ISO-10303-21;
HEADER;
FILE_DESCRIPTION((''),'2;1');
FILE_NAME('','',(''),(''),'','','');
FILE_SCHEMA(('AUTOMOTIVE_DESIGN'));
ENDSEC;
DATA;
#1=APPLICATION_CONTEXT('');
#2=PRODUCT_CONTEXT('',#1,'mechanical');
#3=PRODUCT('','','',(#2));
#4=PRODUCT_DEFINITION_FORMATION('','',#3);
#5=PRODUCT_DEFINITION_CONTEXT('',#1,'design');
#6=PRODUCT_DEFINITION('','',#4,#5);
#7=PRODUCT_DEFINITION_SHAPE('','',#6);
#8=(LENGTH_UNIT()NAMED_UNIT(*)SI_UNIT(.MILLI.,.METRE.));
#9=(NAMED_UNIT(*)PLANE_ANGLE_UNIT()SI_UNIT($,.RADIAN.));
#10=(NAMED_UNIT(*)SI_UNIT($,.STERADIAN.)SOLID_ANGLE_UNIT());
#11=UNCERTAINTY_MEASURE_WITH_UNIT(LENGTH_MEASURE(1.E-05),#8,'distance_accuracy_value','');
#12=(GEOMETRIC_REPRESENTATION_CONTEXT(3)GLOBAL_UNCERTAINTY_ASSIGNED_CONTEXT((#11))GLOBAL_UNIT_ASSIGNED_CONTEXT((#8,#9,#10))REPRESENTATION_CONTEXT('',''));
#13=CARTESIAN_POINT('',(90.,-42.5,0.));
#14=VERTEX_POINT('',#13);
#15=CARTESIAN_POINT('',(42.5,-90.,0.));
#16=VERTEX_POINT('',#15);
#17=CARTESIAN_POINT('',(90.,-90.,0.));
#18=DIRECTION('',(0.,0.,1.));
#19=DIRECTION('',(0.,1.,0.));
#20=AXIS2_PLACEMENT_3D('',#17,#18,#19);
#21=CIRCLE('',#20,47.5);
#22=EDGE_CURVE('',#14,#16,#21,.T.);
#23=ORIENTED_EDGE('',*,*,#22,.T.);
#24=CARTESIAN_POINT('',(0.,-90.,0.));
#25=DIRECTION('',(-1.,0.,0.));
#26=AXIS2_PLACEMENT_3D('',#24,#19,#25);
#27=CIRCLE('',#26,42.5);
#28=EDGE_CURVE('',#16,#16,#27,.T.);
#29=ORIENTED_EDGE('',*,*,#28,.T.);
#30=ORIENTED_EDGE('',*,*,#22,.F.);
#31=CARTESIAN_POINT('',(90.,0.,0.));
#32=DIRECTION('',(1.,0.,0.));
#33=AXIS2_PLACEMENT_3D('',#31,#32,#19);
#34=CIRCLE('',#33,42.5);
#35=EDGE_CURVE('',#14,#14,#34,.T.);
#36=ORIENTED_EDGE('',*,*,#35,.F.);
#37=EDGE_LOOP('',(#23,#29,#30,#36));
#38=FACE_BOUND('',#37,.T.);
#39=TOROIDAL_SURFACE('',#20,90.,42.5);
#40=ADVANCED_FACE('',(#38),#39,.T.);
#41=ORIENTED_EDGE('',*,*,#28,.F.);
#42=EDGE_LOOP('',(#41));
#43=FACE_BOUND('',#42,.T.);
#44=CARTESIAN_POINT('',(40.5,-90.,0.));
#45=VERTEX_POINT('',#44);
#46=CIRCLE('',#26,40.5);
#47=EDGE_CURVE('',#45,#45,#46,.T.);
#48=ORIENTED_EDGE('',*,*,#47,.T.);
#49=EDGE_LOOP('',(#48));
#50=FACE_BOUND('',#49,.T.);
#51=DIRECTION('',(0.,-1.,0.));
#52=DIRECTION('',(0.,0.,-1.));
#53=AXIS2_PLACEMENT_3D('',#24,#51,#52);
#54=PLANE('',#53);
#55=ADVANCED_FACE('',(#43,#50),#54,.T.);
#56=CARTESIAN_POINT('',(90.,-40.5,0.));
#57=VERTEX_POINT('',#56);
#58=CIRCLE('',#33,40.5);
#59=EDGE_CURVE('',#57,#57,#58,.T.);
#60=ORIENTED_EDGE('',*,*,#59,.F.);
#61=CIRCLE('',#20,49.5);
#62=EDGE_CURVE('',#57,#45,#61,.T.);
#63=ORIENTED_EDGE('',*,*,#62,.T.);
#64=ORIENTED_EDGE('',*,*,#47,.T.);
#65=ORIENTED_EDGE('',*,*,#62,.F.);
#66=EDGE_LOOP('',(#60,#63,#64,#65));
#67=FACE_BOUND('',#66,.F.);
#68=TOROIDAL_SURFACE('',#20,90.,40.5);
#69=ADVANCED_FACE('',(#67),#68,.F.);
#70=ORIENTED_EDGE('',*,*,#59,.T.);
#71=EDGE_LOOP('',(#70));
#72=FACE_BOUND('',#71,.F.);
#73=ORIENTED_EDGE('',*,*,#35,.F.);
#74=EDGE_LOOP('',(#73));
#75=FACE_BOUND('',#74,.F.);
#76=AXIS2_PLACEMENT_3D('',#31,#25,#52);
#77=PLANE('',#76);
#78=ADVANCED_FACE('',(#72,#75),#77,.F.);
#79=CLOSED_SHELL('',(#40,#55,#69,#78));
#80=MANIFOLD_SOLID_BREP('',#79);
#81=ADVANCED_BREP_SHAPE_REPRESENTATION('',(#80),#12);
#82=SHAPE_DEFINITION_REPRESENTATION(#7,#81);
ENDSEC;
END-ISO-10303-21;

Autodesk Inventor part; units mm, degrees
ref_plane "YZ Plane" through (0, 0, 0) normal (1, 0, 0) x (0, 1, 0)
ref_plane "XZ Plane" through (0, 0, 0) normal (0, 1, 0) x (-1, 0, 0)
sketch "Szkic6" plane through (0, 0, 0) normal (0, 0, 1) x (1, 0, 0)
  line L0 (-29.6067, 0) -> (35.2678, 0) construction
  line L1 (0, 42.3419) -> (0, -58.3726) construction
  arc A0 (90, 0) -> (0, -90) centre (90, -90) ccw
  line L2 (0, -90) -> (90, -90) construction
  line L3 (90, -90) -> (90, -24.4669) construction
  line L4 (90, 0) -> (90, 0)
  line L5 (0, -90) -> (0, -90)
  point P0 (0, 0)
  dimension "d24" = 90
  dimension "d31" = 90
  dimension "d36" = 0
  dimension "d37" = 0
ref_plane "Płaszczyzna konstrukcyjna2" through (0, -90, 0) normal (0, -1, 0) x (1, 0, 0)
sketch "Szkic8" plane through (0, -90, 0) normal (0, -1, 0) x (1, 0, 0)
  circle A0 centre (0, 0) radius 42.5
  circle A1 centre (0, 0) radius 40.5
  dimension "d32" = 85
  dimension "d33" = 2
sweep "Przeciągnięcie2" add profiles "Szkic8" path "Szkic6"
equation "\"d32\" = OD"
equation "\"d33\" = THK"
equation "\"d24\" = R"
equation "\"d31\" = KAT"
equation "\"SzerokośćGięciaPodcięcia\" = Grubość"
equation "\"RozmiarPodcięciaNarożnika\" = 4 * Grubość"
equation "\"PromieńPrzejścia\" = PromieńGięcia"
equation "\"Rozmiar_promienia_Jacobiego\" = PromieńGięcia"
equation "\"Wielk_odstępu\" = Grubość"
equation "\"d2\" = PromieńGięcia"
equation "\"d23\" = PromieńGięcia"
equation "\"R\" = 90"
equation "\"OD\" = 85"
equation "\"THK\" = 2"
equation "\"KAT\" = 90deg"
equation "\"PROSTKA\" = 0"
equation "\"Grubość\" = 1.5"
equation "\"PromieńGięcia\" = 3"
properties part number "Kolano 90° ø85x2 R90" material "304L"
